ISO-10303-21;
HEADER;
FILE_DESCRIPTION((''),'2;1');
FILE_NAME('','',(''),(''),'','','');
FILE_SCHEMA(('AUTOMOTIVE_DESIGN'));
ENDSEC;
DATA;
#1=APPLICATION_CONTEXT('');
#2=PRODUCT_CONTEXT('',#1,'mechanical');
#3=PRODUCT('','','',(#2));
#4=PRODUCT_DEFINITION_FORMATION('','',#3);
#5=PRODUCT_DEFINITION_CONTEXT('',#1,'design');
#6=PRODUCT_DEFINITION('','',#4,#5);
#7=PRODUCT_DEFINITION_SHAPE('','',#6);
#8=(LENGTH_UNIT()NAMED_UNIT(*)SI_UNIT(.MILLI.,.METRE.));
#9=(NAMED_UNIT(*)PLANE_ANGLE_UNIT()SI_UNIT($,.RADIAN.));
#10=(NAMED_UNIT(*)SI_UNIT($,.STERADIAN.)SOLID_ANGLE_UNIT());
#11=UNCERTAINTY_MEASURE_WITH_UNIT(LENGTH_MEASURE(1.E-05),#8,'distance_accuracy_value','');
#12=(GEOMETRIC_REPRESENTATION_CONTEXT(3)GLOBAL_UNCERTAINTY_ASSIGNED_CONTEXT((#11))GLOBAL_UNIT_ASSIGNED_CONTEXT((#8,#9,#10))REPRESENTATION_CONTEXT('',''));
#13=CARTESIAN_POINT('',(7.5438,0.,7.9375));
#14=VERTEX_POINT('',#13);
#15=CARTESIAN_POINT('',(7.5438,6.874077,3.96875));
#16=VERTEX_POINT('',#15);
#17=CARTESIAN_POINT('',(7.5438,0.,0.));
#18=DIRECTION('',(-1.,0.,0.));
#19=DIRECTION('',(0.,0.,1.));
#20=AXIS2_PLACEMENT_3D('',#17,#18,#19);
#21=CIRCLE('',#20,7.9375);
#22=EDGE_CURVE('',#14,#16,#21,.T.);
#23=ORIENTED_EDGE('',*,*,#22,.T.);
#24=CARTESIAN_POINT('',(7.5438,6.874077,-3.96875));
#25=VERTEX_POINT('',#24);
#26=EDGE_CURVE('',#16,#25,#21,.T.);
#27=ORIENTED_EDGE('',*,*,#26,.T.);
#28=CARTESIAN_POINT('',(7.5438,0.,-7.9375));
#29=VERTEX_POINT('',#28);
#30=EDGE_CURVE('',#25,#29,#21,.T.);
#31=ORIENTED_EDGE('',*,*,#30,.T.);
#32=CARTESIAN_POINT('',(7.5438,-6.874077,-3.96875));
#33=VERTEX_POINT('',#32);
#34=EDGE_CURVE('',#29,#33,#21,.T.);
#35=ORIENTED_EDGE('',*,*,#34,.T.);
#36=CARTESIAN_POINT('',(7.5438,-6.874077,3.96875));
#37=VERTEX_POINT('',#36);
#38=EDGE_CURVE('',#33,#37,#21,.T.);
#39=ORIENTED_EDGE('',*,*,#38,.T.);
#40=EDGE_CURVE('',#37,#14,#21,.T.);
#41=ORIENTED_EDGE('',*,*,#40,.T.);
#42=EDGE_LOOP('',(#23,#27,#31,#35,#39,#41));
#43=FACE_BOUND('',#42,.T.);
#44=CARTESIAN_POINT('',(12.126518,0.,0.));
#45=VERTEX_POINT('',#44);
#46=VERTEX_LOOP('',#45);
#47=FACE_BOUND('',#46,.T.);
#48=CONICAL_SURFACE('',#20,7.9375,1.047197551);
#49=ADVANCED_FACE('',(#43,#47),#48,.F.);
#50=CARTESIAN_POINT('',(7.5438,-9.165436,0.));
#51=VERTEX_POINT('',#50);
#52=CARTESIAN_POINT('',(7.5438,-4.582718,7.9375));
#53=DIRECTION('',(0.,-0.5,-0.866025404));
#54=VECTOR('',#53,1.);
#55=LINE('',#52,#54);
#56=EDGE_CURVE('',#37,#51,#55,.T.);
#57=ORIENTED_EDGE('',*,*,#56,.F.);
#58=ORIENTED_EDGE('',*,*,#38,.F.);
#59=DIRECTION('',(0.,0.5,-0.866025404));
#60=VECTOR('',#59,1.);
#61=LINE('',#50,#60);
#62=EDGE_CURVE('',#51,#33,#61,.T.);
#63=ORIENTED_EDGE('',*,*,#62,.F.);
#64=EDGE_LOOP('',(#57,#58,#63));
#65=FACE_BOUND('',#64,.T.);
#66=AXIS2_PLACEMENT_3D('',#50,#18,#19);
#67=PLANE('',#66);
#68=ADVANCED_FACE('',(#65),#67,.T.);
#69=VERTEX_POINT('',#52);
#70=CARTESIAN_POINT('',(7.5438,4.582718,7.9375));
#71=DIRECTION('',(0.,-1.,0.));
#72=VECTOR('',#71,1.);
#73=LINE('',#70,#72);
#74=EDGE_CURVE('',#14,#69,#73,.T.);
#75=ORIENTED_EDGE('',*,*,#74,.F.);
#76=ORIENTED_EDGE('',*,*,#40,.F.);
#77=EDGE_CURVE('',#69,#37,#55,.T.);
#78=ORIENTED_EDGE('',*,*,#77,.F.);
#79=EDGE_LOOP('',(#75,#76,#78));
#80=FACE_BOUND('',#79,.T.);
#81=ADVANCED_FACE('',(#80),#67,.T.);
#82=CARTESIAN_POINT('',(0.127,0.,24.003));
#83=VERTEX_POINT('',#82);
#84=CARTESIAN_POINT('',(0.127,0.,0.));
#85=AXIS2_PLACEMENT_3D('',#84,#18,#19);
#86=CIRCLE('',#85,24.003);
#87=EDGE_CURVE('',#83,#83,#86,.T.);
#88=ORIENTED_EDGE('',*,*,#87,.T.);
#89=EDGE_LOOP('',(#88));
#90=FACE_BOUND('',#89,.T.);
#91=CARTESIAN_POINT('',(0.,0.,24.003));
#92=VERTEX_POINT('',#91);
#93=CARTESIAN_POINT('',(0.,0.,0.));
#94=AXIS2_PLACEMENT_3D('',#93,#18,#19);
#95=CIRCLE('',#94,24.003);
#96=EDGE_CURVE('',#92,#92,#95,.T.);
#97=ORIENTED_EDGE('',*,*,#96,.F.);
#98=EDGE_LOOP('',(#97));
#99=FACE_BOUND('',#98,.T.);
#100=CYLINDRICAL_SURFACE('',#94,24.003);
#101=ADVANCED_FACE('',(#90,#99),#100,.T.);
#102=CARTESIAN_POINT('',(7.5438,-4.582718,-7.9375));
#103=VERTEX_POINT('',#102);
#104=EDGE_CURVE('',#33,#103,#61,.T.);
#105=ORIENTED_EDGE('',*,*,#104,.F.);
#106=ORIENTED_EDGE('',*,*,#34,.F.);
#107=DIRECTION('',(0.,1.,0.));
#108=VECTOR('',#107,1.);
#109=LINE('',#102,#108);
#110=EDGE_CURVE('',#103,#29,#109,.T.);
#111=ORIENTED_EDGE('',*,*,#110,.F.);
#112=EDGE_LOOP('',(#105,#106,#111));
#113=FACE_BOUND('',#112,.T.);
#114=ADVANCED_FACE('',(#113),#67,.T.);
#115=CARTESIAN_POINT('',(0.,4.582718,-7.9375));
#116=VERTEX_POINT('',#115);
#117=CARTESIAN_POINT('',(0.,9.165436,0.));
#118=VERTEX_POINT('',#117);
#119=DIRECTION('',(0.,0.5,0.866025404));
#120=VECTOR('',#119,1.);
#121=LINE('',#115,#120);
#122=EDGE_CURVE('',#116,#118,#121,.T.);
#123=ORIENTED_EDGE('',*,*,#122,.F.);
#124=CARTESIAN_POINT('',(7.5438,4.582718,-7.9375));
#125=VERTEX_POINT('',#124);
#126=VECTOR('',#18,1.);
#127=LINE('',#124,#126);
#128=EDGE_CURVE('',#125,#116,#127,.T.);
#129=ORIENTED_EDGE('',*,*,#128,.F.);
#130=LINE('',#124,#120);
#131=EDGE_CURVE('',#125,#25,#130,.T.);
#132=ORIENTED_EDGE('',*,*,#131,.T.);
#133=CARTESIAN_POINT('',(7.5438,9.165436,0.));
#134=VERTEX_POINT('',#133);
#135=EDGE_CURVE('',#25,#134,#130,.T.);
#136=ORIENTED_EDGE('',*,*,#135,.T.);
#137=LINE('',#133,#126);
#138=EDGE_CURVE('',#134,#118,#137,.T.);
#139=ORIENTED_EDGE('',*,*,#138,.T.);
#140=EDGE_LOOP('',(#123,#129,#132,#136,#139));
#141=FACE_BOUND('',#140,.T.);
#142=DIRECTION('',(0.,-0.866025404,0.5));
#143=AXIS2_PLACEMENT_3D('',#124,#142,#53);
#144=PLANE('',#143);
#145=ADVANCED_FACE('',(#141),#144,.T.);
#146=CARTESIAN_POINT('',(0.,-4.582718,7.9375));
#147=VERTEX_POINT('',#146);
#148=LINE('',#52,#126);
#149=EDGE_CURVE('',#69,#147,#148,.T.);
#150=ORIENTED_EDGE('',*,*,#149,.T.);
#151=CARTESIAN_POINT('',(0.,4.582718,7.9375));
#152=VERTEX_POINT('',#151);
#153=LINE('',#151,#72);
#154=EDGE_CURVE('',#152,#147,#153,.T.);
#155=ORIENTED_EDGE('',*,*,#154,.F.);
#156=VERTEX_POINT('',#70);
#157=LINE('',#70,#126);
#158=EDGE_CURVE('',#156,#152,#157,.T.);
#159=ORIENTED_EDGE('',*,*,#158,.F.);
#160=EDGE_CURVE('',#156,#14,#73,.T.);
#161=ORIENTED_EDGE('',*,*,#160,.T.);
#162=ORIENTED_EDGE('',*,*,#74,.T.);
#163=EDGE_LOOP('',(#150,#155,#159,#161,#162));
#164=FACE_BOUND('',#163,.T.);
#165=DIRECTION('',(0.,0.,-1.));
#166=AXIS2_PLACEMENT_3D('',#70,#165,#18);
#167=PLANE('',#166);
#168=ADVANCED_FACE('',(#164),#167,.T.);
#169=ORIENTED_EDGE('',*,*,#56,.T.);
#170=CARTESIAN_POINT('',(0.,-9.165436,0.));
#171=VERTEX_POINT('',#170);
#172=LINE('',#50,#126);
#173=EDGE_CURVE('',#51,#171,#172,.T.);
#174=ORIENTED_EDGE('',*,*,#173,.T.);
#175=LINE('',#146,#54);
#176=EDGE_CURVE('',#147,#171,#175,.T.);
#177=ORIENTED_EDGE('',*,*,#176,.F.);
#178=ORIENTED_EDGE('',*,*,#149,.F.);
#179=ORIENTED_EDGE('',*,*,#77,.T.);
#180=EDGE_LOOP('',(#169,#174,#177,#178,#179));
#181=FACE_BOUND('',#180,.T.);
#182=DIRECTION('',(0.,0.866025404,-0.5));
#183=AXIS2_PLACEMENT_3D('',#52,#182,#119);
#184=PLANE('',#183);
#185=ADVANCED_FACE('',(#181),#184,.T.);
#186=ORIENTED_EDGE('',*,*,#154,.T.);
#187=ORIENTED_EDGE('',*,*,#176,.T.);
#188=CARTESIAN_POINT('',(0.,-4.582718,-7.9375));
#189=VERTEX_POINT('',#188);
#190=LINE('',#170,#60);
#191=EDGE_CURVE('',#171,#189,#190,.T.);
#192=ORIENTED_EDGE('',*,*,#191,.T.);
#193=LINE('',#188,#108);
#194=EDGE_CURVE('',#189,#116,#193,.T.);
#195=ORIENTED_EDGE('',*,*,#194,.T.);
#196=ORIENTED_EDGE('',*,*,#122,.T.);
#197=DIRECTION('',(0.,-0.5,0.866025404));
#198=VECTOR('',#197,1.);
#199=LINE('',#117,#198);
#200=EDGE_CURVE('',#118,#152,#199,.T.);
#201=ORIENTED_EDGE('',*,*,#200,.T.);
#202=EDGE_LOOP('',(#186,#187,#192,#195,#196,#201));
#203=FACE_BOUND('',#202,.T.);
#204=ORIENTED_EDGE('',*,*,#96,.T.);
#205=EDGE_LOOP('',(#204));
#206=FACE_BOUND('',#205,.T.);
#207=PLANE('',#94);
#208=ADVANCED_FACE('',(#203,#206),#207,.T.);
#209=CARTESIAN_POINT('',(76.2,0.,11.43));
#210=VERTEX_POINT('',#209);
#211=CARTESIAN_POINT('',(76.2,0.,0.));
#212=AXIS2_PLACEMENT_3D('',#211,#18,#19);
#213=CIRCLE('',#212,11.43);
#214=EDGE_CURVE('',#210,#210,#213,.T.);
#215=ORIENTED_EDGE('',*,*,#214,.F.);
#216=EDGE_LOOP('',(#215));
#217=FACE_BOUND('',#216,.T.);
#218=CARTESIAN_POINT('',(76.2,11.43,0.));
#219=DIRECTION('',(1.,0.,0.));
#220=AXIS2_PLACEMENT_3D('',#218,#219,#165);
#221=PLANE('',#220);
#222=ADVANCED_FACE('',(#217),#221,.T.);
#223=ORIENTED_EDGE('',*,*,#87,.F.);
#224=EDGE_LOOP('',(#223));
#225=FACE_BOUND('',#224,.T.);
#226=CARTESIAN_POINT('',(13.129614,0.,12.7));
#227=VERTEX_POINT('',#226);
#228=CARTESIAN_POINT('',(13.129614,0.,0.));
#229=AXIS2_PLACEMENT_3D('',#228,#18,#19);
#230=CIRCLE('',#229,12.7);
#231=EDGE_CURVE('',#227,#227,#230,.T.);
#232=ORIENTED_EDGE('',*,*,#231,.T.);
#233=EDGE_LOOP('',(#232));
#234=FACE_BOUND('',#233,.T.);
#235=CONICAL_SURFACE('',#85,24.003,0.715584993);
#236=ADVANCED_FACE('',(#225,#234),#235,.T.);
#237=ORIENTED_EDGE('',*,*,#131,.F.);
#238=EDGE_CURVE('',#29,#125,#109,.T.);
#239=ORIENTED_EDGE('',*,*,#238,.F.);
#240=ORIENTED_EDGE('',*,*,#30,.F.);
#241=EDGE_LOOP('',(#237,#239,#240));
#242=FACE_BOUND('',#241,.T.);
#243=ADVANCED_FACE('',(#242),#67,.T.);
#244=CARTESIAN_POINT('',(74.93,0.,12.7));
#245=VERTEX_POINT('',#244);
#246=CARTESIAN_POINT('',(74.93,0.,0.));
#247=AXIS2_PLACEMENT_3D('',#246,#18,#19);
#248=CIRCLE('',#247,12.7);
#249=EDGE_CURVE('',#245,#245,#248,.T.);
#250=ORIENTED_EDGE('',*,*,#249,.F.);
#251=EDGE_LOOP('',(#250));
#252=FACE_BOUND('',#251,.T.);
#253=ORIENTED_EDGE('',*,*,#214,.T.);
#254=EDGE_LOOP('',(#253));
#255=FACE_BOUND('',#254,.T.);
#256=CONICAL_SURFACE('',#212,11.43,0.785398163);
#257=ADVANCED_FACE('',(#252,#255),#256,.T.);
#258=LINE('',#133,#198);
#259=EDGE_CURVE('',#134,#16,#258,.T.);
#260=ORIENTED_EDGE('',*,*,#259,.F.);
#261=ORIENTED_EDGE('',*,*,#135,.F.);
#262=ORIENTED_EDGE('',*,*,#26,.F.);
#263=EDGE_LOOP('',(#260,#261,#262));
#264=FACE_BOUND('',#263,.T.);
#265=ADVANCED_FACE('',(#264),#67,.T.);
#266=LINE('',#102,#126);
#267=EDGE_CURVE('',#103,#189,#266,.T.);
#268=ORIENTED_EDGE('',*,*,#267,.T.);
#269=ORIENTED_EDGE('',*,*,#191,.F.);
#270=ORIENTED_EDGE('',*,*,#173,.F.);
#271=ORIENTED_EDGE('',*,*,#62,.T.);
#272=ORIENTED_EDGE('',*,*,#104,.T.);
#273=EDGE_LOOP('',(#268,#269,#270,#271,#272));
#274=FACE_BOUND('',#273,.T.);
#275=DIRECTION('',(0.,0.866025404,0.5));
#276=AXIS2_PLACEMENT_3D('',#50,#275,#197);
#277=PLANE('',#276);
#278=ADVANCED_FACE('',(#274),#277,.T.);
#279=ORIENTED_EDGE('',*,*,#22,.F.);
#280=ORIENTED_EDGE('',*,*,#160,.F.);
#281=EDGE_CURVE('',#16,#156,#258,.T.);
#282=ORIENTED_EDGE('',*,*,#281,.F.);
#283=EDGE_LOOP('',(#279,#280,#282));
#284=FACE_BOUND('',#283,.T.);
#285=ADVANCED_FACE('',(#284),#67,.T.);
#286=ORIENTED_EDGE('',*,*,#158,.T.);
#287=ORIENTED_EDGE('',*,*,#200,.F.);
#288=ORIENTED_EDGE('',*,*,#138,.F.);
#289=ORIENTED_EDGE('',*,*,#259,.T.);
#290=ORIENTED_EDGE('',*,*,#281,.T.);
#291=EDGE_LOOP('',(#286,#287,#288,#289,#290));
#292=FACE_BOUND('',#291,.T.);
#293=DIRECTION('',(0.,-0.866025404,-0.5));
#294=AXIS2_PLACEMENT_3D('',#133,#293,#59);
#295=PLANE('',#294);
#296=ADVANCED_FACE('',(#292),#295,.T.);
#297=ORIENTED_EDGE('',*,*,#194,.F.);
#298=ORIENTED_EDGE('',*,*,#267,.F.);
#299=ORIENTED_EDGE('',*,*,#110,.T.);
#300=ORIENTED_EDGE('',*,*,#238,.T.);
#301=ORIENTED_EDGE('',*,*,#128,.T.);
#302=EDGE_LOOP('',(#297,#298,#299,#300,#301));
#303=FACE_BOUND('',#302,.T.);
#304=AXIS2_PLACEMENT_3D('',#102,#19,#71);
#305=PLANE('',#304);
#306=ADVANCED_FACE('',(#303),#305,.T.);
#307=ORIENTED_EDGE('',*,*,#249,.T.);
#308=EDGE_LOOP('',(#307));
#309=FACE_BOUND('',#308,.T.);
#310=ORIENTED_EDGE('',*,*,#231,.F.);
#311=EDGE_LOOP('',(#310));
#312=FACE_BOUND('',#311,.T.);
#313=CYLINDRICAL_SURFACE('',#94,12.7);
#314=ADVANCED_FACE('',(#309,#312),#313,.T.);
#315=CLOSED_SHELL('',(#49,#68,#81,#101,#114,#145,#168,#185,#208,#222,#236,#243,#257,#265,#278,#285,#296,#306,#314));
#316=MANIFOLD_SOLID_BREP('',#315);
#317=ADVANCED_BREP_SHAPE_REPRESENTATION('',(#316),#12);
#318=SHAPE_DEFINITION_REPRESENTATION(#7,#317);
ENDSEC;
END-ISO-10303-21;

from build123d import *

# Parameters (mm, degrees)
HEX_2_DEPTH = 7.5438


with BuildPart() as part:
    # BodySke → BaseBody (revolve)
    with BuildSketch(Plane.XY, mode=Mode.PRIVATE) as basebody_sk:
        Polygon((0, 0), (0, 24.003), (0.127, 24.003), (13.129614107, 12.7), (74.93, 12.7), (76.2, 11.43), (76.2, 0), align=None)
    revolve(basebody_sk.sketch.rotate(Axis((0, 0, 0), (1, 0, 0)), 90), axis=Axis((0, 0, 0), (1, 0, 0)))  # turned: the seam where the file's is

    # Sketch2 → PreBroach (revolve, cut)
    with BuildSketch(Plane.XY, mode=Mode.PRIVATE) as prebroach_sk:
        Polygon((0, 7.9375), (7.5438, 7.9375), (12.126517762, 0), (0, 0), align=None)
    revolve(prebroach_sk.sketch.rotate(Axis((0, 0, 0), (1, 0, 0)), 90), axis=Axis((0, 0, 0), (1, 0, 0)), mode=Mode.SUBTRACT)  # turned: the seam where the file's is

    # Sketch3 → Hex 2 (cut)
    with BuildSketch(Plane.ZY):
        Polygon((-7.9375, -4.582717762), (-7.9375, 4.582717762), (0, 9.165435523), (7.9375, 4.582717762), (7.9375, -4.582717762), (0, -9.165435523), align=None)
    extrude(amount=-HEX_2_DEPTH, mode=Mode.SUBTRACT)


solid = part.part
